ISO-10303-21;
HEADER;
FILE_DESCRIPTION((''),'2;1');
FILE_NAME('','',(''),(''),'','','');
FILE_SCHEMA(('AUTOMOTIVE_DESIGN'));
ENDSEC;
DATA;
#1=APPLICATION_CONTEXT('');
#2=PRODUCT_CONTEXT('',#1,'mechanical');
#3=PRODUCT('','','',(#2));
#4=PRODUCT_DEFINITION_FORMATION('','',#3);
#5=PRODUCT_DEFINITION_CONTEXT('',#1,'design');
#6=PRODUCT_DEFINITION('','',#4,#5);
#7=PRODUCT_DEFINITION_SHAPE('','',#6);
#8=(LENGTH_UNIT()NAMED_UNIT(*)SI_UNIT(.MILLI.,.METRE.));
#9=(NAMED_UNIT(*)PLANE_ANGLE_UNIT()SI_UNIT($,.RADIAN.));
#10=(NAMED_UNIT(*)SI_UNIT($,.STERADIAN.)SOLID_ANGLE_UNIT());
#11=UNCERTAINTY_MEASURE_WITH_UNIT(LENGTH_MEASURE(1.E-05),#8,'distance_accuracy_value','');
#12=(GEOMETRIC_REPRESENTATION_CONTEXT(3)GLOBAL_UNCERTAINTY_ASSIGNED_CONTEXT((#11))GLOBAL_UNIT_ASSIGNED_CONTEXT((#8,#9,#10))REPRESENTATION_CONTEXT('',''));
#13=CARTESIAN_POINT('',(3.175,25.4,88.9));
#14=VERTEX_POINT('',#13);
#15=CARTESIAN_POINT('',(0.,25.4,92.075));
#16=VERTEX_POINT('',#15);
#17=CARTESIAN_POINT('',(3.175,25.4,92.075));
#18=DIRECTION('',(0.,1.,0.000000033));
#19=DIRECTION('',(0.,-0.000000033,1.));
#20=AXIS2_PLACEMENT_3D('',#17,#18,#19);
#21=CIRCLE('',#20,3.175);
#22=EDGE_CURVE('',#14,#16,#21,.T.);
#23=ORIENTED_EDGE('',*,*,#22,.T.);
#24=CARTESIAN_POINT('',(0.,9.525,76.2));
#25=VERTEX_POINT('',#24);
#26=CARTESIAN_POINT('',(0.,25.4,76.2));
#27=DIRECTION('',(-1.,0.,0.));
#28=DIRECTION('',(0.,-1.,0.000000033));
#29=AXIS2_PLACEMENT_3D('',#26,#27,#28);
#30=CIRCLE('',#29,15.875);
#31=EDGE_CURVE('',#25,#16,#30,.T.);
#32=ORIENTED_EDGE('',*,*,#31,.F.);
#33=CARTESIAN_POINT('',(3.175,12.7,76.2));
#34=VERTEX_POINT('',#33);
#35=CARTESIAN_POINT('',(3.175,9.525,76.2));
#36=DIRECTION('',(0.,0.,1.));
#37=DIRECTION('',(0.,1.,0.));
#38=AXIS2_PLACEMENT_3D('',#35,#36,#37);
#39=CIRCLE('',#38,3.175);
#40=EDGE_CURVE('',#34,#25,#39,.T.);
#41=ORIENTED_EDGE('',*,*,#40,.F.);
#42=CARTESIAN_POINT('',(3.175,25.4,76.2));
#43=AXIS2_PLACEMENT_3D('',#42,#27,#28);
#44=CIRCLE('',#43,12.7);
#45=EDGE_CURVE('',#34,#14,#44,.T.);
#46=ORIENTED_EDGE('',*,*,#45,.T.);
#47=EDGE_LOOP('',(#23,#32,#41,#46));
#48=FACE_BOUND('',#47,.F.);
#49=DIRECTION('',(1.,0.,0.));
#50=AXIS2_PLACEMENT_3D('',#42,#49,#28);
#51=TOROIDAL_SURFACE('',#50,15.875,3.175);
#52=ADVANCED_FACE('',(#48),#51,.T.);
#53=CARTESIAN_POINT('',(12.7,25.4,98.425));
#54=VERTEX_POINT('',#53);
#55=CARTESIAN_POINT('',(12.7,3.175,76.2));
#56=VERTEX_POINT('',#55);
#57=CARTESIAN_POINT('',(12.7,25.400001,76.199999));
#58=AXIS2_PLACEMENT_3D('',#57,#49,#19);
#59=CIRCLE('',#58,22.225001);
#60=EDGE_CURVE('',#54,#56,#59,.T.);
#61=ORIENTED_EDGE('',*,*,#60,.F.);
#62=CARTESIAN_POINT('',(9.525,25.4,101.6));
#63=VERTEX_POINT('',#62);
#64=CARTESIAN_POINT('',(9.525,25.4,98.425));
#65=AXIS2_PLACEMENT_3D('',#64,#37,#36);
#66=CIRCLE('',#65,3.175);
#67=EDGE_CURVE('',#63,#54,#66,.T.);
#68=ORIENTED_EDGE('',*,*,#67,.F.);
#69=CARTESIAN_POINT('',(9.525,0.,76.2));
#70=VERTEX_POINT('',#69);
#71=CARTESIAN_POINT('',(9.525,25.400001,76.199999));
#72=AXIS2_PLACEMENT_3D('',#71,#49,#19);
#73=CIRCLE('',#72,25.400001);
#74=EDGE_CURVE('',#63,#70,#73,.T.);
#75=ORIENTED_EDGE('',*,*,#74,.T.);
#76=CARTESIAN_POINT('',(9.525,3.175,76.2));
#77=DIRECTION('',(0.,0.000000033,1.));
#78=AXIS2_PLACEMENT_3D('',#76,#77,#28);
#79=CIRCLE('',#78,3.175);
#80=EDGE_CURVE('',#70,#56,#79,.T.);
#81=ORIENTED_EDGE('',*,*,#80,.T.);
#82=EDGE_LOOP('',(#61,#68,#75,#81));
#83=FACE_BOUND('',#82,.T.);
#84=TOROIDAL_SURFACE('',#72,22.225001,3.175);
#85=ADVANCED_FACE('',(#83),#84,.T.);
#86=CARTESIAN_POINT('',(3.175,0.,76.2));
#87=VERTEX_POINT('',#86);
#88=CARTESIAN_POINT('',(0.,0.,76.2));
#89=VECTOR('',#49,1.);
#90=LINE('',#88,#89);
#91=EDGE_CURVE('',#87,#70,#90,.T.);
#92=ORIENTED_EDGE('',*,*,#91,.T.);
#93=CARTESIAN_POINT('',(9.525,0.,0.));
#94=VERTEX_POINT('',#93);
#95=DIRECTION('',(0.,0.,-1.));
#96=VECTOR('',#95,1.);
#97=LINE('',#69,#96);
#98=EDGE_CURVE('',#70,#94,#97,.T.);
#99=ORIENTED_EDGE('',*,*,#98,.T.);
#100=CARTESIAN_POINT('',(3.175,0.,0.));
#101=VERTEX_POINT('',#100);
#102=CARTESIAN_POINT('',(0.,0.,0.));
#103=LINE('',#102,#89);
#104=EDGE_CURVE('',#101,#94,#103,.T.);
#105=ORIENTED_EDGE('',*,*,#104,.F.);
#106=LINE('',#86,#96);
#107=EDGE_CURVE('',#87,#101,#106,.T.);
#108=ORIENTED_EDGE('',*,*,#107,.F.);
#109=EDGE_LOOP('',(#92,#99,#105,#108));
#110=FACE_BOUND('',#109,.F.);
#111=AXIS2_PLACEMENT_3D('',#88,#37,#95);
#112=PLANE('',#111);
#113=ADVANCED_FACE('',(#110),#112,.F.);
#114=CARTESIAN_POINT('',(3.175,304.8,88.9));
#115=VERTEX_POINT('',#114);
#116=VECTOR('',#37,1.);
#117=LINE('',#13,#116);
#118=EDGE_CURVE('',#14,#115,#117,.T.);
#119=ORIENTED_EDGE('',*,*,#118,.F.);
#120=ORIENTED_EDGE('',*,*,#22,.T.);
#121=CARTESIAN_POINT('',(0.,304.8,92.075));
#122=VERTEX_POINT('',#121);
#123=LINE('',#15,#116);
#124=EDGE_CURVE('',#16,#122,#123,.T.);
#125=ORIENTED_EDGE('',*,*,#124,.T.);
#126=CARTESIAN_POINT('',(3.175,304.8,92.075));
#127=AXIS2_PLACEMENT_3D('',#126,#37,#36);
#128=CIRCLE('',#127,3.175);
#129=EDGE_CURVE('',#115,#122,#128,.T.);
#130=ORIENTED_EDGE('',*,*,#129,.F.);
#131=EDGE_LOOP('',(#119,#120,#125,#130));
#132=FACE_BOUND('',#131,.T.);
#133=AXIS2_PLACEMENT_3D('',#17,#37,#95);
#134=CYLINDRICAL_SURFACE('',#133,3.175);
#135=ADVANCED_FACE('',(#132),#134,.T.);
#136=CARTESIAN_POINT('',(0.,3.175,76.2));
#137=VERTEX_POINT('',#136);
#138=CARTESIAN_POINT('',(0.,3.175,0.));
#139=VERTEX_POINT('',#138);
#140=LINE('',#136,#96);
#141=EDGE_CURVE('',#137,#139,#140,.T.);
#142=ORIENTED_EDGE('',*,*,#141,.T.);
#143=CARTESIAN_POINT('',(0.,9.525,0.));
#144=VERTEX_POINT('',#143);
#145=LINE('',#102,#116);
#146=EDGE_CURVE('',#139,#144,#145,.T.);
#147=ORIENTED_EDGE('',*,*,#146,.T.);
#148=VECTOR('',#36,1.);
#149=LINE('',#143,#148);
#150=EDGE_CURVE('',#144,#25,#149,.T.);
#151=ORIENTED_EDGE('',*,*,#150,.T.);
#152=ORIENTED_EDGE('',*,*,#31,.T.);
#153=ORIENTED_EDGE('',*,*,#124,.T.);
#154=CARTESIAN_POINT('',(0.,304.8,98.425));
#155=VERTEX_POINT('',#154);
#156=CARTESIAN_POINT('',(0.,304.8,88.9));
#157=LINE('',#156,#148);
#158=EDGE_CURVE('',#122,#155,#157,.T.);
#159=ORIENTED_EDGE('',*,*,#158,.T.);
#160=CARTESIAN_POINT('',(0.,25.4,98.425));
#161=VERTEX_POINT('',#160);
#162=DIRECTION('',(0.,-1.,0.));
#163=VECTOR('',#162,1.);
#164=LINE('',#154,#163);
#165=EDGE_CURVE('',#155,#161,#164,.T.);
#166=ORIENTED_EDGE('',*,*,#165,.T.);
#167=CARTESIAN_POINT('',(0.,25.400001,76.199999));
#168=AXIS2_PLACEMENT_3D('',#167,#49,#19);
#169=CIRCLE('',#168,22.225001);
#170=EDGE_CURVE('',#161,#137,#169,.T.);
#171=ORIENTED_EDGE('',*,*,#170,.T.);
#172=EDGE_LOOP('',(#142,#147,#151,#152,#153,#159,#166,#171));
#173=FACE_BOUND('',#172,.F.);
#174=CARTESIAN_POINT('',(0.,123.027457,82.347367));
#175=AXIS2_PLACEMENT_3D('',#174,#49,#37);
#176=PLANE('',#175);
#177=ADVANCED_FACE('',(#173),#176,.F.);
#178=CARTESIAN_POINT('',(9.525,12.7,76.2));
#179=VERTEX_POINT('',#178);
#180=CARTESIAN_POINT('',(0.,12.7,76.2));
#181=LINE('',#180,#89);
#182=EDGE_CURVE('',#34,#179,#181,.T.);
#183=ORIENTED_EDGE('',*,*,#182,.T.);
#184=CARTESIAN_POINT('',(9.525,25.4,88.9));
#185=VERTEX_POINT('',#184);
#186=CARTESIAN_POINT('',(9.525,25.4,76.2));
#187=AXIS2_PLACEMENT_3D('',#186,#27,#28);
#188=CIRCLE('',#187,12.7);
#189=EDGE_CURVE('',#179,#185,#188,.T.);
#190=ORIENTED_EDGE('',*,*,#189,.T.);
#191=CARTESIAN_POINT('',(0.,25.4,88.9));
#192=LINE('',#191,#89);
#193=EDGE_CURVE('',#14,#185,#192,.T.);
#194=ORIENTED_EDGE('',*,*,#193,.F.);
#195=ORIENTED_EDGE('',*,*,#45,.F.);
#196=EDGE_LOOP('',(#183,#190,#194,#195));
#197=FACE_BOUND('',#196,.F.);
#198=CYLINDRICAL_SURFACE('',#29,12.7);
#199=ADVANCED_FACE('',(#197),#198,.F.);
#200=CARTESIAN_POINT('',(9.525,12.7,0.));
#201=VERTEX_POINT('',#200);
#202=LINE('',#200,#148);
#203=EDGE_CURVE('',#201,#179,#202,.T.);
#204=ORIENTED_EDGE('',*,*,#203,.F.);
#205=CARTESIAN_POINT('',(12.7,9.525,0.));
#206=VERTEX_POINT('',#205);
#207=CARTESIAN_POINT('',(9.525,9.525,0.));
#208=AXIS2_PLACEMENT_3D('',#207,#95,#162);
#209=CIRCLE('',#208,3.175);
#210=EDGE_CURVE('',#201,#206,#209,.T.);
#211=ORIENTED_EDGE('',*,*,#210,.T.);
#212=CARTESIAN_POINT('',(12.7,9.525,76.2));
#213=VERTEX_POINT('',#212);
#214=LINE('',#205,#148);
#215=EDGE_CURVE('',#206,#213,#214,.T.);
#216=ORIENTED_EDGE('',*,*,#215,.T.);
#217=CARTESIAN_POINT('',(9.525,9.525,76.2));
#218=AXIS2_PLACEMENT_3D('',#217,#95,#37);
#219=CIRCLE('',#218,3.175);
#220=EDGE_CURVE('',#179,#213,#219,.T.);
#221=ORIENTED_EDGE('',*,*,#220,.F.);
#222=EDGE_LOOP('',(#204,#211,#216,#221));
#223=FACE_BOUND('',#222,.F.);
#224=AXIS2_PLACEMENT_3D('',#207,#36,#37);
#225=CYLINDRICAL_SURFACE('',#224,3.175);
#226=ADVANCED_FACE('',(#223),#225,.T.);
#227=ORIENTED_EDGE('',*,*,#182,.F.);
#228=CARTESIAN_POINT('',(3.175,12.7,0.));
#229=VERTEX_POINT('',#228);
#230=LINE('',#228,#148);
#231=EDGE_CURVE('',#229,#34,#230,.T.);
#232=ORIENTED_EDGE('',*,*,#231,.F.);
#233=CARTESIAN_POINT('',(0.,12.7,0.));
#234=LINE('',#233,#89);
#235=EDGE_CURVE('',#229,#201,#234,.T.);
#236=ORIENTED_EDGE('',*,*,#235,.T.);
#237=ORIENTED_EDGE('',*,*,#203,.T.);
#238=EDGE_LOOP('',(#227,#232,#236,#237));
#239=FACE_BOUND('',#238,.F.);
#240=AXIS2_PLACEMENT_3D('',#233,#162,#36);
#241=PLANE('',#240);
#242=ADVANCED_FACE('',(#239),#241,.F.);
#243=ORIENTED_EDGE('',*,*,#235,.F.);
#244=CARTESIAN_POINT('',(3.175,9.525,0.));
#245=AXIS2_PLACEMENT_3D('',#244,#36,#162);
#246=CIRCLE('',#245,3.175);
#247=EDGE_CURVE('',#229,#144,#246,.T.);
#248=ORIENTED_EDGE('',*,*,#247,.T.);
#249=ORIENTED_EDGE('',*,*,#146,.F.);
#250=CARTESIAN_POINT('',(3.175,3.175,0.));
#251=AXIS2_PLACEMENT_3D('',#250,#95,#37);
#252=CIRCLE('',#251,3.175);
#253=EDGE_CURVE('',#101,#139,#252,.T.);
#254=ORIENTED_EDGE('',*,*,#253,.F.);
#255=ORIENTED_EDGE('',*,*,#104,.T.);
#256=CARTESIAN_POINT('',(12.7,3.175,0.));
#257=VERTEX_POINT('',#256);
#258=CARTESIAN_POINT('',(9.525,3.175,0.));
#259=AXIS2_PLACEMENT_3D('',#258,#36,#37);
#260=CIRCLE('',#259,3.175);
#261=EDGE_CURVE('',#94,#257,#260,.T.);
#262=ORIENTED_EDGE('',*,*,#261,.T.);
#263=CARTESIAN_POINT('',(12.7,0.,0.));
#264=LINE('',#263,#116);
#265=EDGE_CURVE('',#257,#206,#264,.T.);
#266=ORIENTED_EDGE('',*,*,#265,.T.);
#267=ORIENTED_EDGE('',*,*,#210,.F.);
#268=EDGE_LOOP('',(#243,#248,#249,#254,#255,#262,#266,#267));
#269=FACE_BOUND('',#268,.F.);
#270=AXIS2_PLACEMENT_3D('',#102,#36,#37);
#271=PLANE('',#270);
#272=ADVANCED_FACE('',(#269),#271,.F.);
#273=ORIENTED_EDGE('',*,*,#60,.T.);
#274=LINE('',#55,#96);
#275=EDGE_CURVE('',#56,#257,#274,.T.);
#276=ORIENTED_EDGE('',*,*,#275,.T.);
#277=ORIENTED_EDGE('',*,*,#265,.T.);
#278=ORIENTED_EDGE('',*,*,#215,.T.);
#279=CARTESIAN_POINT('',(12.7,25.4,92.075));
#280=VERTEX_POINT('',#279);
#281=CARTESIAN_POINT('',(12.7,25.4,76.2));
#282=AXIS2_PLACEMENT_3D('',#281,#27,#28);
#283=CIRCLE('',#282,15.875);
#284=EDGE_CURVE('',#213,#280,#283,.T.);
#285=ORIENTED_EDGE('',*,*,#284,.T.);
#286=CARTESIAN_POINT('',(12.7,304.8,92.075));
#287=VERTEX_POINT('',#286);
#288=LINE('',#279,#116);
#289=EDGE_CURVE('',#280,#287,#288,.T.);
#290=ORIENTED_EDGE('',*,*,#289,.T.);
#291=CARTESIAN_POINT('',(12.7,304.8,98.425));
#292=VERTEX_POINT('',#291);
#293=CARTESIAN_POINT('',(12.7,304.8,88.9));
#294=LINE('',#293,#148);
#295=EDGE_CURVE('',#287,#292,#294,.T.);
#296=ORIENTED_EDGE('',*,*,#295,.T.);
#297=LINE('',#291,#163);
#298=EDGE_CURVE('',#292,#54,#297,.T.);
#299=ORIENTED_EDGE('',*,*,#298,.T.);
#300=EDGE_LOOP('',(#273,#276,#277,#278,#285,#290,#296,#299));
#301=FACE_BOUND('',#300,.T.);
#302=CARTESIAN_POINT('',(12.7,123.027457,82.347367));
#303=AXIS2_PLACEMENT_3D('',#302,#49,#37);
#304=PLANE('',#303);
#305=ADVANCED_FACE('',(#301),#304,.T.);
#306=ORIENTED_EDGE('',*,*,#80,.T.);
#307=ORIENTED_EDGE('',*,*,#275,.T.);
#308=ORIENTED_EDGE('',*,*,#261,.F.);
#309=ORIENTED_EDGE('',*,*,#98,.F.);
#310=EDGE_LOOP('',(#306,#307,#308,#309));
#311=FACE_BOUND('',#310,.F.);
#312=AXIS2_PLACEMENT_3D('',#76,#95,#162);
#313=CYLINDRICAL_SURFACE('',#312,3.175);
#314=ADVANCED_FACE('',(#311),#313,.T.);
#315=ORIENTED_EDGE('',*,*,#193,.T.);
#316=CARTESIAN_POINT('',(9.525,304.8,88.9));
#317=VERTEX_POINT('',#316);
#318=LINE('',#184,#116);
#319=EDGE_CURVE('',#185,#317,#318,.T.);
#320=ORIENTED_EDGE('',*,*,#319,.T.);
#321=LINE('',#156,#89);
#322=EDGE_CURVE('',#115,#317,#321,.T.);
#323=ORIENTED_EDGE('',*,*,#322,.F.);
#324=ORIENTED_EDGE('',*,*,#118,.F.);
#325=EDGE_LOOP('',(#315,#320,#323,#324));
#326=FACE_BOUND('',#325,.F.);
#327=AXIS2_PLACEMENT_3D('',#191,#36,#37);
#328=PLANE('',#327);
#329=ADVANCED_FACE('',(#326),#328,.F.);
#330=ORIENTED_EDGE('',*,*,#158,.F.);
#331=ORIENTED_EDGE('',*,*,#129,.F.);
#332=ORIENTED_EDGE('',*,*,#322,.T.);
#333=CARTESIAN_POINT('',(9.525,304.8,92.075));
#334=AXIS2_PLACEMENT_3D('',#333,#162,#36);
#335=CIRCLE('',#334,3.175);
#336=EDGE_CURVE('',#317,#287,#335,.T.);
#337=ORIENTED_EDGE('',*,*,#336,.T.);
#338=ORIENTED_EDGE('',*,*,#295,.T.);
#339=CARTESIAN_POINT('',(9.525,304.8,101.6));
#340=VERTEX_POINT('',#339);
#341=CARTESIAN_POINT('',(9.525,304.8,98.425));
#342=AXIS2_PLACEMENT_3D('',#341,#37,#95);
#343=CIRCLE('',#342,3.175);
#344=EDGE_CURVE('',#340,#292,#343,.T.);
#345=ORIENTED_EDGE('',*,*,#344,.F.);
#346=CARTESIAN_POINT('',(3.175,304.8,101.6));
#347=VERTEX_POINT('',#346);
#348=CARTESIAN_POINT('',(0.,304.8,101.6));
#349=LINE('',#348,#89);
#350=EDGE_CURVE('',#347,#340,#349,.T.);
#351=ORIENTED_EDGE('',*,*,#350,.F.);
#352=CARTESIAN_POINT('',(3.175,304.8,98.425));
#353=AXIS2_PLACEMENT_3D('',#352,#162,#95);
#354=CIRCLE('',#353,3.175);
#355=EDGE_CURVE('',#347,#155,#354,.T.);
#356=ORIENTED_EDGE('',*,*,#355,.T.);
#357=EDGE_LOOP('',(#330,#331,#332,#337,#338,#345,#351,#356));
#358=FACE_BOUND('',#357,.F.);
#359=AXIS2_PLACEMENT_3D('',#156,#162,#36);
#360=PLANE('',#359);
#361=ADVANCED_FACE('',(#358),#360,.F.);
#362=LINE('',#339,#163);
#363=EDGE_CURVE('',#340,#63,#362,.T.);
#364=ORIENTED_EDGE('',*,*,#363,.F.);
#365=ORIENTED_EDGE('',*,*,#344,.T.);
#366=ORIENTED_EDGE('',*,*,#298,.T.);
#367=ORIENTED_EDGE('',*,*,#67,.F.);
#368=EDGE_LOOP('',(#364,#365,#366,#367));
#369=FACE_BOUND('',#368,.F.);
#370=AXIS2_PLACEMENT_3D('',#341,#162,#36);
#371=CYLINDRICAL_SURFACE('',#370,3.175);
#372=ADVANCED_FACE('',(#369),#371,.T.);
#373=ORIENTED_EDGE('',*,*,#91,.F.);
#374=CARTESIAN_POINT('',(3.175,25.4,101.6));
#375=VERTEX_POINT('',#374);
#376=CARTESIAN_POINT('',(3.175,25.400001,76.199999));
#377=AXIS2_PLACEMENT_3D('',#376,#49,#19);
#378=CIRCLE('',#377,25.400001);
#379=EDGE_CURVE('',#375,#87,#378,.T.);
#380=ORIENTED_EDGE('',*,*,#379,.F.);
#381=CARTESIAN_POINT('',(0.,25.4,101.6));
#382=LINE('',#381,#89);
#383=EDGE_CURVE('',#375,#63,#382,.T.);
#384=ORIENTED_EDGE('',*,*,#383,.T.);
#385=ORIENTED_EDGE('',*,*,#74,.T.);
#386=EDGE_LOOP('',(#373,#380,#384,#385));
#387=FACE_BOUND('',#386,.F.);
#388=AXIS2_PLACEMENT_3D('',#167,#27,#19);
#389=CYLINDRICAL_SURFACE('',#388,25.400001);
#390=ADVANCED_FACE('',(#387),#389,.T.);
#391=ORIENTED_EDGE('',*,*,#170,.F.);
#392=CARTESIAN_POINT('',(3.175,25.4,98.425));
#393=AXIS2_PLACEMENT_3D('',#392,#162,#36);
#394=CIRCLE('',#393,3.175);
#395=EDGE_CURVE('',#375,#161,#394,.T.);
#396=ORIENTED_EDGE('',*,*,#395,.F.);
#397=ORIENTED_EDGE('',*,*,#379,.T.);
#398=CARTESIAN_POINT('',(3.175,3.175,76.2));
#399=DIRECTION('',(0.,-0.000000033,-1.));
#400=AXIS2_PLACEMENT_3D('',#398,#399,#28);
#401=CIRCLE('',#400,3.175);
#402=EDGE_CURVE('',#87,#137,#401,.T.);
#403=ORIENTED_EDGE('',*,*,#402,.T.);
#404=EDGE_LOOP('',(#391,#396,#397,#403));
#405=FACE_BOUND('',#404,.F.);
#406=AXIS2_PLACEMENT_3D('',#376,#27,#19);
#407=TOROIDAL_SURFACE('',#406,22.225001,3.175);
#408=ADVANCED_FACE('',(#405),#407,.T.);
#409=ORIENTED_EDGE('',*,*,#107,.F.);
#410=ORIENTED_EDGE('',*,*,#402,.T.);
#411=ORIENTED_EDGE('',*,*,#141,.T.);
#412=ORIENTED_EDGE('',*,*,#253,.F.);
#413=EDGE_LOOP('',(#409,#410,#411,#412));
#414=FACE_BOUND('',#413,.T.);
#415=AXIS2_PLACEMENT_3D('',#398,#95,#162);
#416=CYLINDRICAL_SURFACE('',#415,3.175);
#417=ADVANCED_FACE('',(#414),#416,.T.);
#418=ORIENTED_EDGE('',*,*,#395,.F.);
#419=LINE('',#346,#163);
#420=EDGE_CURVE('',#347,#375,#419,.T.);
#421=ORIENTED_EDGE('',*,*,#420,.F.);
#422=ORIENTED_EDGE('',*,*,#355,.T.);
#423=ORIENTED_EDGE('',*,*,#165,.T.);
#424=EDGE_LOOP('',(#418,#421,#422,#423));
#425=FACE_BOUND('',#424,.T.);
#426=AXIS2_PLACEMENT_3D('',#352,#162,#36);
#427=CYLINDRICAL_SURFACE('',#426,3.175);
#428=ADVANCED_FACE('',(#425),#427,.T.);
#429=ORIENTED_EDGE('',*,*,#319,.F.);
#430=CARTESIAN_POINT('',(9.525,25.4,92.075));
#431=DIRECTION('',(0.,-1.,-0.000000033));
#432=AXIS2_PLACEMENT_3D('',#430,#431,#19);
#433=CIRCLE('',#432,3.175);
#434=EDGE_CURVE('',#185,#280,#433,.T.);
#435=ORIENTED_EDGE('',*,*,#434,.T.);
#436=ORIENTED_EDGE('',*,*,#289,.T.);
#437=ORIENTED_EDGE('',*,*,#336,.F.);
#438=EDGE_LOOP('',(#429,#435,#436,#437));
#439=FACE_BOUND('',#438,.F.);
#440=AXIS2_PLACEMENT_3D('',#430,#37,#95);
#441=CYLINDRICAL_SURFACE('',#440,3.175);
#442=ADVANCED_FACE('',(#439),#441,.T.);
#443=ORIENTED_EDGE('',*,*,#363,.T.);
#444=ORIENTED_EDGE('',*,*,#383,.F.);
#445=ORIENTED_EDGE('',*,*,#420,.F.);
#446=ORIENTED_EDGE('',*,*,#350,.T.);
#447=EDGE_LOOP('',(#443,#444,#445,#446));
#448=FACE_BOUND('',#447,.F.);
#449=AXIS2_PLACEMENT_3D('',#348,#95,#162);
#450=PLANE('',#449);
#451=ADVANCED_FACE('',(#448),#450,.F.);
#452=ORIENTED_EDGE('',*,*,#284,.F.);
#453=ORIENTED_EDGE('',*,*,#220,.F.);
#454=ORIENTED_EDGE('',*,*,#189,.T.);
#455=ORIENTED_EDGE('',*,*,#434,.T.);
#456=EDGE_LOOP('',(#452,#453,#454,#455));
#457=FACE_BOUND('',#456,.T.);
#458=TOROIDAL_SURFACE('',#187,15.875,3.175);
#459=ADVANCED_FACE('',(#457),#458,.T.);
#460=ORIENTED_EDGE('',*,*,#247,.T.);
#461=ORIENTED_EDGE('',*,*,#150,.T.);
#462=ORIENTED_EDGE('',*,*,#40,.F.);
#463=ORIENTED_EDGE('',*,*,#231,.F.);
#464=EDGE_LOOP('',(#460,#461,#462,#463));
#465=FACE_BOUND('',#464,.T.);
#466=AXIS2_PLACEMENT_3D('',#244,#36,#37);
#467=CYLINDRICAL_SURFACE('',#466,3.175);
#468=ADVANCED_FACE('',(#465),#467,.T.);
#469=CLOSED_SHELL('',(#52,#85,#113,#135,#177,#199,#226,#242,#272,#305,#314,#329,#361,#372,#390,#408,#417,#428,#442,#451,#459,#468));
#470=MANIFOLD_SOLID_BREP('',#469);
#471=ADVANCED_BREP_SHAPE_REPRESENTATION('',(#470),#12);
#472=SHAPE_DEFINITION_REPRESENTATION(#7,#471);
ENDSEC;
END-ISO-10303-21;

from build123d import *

# Parameters (mm, degrees)
F1_DEPTH = 12.7
F2_R     = 3.175


with BuildPart() as f1:
    # F0 (on Right) → F1 (new body)
    with BuildSketch(Plane.YZ):
        with BuildLine():
            Line((0, 76.2), (0, 0))
            Line((0, 0), (12.7, 0))
            Line((12.7, 0), (12.7, 76.2))
            ThreePointArc((12.7, 76.2), (16.419744, 85.180256), (25.4, 88.9))
            Line((25.4, 88.9), (304.8, 88.9))
            Line((304.8, 88.9), (304.8, 101.6))
            Line((304.8, 101.6), (25.4, 101.6))
            ThreePointArc((25.4, 101.6), (7.439488, 94.160512), (0, 76.2))
        make_face()
    extrude(amount=F1_DEPTH)

    # F2
    f2_edges = [f1.edges().sort_by_distance(p)[0] for p in [
        (12.7, 7.439488, 94.160512),
        (12.7, 165.1, 88.9),
        (0, 165.1, 101.6),
        (0, 165.1, 88.9),
    ]]
    fillet(f2_edges, radius=F2_R)


solid = f1.part
